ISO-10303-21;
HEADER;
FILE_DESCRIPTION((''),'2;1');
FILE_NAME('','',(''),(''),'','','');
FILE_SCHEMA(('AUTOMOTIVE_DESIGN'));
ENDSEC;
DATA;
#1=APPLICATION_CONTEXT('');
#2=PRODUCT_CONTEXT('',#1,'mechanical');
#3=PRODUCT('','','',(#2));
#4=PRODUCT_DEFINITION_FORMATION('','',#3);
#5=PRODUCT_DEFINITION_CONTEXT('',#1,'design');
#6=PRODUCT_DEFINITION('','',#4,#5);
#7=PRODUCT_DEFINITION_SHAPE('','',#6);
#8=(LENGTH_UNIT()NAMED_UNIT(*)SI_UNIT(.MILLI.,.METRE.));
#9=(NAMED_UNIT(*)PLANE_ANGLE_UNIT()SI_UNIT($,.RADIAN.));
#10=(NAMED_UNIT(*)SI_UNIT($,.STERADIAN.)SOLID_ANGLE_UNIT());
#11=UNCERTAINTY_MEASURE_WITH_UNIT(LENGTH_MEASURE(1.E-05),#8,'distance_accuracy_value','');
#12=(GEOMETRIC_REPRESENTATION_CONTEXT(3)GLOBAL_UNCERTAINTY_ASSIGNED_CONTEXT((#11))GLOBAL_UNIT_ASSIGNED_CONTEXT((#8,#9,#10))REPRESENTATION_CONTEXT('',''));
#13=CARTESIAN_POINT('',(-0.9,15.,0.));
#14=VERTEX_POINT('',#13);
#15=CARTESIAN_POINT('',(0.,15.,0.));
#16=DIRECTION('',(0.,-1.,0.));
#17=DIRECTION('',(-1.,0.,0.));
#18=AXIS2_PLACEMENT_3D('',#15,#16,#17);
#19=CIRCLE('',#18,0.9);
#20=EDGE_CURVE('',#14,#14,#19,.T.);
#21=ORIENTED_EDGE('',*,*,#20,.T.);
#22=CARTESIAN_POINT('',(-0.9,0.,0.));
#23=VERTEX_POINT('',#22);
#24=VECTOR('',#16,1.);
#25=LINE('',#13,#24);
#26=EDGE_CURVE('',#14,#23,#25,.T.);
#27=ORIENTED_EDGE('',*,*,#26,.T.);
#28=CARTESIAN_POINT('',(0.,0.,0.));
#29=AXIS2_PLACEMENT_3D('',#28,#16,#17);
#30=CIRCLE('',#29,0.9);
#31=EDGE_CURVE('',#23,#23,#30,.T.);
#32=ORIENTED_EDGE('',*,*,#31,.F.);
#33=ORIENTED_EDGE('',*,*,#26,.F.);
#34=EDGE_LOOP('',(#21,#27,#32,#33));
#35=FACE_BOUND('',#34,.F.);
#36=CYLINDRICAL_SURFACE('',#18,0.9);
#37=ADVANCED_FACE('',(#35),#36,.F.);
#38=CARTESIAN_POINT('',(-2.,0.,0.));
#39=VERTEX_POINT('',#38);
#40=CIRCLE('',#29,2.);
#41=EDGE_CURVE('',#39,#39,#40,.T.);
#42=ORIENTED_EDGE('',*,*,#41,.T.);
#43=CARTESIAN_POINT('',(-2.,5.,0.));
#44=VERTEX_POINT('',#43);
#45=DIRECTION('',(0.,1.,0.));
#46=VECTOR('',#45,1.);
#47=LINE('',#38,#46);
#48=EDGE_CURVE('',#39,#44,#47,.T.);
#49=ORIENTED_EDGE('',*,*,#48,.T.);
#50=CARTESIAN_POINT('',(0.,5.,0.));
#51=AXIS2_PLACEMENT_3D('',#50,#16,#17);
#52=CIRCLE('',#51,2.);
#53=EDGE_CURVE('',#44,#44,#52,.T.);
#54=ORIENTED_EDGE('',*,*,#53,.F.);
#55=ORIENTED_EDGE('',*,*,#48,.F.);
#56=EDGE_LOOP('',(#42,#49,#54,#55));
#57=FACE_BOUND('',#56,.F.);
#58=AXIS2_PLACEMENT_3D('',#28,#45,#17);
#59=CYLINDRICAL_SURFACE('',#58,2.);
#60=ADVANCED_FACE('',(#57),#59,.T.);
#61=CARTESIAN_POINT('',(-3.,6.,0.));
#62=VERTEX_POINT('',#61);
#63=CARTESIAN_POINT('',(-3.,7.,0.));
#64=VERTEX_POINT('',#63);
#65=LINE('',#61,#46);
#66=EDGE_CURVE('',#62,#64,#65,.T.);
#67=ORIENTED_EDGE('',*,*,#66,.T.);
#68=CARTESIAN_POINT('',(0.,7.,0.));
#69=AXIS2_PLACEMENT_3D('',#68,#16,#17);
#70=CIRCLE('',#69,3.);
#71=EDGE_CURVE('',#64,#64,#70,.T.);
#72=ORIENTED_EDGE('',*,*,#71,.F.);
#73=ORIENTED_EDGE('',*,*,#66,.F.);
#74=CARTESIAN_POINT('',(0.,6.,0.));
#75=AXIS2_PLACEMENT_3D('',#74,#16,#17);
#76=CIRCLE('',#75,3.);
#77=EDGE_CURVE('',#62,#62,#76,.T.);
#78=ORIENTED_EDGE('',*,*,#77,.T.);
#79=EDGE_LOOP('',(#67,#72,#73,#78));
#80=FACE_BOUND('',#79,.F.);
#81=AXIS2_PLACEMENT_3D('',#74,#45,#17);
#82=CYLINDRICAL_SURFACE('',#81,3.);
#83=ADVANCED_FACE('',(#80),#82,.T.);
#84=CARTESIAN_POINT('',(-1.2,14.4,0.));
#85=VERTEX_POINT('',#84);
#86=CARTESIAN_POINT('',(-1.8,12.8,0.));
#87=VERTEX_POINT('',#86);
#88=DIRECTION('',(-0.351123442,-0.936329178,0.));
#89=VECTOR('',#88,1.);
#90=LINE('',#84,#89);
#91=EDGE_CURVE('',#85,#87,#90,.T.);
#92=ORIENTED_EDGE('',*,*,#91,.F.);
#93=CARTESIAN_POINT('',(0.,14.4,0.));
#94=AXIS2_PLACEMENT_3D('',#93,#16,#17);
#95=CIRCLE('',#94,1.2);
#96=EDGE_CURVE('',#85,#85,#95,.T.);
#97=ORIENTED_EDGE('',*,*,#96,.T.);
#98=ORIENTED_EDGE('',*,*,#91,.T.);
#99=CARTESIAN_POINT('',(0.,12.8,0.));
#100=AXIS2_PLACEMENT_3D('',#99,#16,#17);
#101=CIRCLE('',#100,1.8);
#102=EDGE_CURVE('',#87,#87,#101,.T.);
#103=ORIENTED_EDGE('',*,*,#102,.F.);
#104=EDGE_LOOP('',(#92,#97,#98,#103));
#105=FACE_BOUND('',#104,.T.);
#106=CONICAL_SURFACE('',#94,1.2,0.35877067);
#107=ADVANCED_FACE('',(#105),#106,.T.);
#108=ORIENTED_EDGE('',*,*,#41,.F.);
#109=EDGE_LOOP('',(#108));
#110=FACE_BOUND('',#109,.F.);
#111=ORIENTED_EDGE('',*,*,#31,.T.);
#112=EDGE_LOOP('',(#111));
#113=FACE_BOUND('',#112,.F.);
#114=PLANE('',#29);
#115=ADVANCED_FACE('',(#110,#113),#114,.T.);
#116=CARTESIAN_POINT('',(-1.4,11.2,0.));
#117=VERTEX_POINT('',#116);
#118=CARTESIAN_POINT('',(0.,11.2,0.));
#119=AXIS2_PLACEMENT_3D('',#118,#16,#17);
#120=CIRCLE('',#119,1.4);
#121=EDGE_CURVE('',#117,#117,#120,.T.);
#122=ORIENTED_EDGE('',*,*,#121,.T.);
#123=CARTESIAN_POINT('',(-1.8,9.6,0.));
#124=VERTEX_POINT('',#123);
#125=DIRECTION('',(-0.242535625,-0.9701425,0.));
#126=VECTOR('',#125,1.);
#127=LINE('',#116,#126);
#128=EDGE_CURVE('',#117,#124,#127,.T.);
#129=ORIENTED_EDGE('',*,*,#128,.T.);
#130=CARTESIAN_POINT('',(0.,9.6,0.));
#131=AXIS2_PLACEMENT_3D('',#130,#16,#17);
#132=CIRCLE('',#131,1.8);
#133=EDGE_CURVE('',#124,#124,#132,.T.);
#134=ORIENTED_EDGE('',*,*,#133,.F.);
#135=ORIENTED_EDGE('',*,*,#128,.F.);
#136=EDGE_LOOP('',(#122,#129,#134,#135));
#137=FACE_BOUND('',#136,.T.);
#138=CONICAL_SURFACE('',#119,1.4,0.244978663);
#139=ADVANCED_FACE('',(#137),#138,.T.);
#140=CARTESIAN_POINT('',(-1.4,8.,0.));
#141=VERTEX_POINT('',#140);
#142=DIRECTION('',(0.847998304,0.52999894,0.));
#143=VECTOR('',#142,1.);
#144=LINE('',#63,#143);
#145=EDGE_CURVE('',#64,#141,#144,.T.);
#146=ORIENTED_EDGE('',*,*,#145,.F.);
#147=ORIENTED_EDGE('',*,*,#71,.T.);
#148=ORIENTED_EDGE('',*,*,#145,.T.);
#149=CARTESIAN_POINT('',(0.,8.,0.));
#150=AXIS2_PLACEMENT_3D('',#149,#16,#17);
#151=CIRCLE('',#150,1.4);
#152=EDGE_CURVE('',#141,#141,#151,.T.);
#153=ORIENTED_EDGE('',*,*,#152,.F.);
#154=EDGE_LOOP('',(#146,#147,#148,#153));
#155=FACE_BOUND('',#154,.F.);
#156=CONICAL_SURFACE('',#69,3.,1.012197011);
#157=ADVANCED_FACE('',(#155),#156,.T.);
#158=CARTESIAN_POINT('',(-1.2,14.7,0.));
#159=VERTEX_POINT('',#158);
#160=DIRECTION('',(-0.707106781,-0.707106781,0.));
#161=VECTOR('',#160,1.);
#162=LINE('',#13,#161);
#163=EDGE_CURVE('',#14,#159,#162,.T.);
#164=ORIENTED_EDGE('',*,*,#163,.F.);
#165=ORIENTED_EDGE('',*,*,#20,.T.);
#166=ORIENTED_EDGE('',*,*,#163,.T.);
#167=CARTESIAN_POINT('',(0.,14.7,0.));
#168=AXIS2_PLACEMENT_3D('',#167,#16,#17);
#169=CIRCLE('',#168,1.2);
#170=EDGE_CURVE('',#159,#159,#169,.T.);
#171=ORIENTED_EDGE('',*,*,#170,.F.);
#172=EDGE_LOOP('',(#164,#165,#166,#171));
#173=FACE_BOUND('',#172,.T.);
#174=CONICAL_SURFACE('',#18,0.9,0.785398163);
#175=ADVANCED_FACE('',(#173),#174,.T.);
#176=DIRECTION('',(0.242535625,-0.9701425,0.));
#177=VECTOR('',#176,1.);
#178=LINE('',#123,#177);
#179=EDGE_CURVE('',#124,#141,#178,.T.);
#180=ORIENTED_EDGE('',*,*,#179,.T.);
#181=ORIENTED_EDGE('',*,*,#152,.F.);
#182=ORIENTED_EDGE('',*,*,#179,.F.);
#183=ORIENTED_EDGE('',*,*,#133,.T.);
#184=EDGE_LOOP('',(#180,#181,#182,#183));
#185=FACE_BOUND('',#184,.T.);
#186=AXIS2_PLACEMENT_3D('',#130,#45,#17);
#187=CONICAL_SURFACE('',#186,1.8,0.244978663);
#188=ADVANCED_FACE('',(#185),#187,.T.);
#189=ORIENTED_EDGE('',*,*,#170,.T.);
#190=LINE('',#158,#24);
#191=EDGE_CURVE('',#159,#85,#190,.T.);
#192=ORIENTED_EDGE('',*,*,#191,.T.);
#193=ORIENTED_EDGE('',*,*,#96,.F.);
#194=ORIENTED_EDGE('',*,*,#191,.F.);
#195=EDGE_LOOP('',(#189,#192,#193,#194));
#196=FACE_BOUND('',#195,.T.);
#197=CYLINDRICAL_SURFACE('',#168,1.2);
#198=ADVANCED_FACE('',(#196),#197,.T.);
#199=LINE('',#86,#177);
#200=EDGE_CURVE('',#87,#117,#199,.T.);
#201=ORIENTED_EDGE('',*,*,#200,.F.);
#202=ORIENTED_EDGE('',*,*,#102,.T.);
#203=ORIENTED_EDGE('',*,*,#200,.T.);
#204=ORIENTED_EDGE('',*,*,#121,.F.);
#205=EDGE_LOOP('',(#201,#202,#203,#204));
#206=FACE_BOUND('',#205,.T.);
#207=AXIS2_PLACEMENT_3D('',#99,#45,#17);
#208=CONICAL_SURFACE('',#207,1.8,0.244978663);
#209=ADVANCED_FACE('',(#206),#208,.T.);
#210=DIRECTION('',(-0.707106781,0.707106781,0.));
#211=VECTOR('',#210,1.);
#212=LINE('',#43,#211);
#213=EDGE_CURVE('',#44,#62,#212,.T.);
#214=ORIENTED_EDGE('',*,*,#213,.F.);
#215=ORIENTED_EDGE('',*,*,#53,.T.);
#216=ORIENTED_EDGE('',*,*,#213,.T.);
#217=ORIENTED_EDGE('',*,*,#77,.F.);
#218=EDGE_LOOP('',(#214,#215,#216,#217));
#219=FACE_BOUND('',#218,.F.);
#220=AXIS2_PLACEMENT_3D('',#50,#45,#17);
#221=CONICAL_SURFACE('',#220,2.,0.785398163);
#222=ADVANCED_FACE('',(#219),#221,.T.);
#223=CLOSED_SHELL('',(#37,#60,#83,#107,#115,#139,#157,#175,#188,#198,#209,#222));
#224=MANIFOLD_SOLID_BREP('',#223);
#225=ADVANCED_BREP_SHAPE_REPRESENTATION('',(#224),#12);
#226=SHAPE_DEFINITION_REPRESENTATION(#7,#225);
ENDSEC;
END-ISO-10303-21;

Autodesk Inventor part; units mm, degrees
ref_plane "YZ Plane" through (0, 0, 0) normal (1, 0, 0) x (0, 1, 0)
ref_plane "XZ Plane" through (0, 0, 0) normal (0, 1, 0) x (-1, 0, 0)
ref_plane "XY Plane" through (0, 0, 0) normal (0, 0, 1) x (1, 0, 0)
sketch "Sketch1" plane through (0, 0, 0) normal (0, 0, 1) x (1, 0, 0)
  line L0 (-2, 0) -> (-2, 5)
  line L1 (-2, 5) -> (-3, 6)
  line L2 (-3, 6) -> (-3, 7)
  line L3 (-3, 7) -> (-1.4, 8)
  line L4 (-0.9, 15) -> (-0.9, 0)
  line L5 (-0.9, 0) -> (-2, 0)
  line L6 (0, 18) -> (0, -3) construction
  line L7 (-3.6, 0) -> (0.6, 0) construction
  line L8 (-0.9, 15) -> (-1.2, 14.7)
  line L9 (-1.2, 14.7) -> (-1.2, 14.4)
  line L10 (-1.2, 14.4) -> (-1.8, 12.8)
  line L11 (-1.8, 12.8) -> (-1.4, 11.2)
  line L12 (-1.4, 11.2) -> (-1.8, 9.6)
  line L13 (-1.8, 9.6) -> (-1.4, 8)
  point P0 (0, 0)
  point P1 (-2, 2.5)
  dimension "d0" = 15
  dimension "d4" = 1
  dimension "d5" = 0.9
  dimension "d6" = 1.8
  dimension "d9" = 5
  dimension "d10" = 1
  dimension "d11" = 1
  dimension "d12" = 2.5
  dimension "d14" = 2
  dimension "d15" = 1.2
  dimension "d16" = 1.8
  dimension "d17" = 3
  dimension "d18" = 45
  dimension "d19" = 0.3
  dimension "d20" = 1.4
  dimension "d21" = 1.4
  dimension "d22" = 1.6
  dimension "d23" = 1.6
  dimension "d24" = 1.6
revolve "Revolution1" add sketch "Sketch1" angle 360 about axis through (0, 0, 0) along (0, -1, 0)
properties part number "Thread to Barbed 3-32 inch and 10-32 hole"
